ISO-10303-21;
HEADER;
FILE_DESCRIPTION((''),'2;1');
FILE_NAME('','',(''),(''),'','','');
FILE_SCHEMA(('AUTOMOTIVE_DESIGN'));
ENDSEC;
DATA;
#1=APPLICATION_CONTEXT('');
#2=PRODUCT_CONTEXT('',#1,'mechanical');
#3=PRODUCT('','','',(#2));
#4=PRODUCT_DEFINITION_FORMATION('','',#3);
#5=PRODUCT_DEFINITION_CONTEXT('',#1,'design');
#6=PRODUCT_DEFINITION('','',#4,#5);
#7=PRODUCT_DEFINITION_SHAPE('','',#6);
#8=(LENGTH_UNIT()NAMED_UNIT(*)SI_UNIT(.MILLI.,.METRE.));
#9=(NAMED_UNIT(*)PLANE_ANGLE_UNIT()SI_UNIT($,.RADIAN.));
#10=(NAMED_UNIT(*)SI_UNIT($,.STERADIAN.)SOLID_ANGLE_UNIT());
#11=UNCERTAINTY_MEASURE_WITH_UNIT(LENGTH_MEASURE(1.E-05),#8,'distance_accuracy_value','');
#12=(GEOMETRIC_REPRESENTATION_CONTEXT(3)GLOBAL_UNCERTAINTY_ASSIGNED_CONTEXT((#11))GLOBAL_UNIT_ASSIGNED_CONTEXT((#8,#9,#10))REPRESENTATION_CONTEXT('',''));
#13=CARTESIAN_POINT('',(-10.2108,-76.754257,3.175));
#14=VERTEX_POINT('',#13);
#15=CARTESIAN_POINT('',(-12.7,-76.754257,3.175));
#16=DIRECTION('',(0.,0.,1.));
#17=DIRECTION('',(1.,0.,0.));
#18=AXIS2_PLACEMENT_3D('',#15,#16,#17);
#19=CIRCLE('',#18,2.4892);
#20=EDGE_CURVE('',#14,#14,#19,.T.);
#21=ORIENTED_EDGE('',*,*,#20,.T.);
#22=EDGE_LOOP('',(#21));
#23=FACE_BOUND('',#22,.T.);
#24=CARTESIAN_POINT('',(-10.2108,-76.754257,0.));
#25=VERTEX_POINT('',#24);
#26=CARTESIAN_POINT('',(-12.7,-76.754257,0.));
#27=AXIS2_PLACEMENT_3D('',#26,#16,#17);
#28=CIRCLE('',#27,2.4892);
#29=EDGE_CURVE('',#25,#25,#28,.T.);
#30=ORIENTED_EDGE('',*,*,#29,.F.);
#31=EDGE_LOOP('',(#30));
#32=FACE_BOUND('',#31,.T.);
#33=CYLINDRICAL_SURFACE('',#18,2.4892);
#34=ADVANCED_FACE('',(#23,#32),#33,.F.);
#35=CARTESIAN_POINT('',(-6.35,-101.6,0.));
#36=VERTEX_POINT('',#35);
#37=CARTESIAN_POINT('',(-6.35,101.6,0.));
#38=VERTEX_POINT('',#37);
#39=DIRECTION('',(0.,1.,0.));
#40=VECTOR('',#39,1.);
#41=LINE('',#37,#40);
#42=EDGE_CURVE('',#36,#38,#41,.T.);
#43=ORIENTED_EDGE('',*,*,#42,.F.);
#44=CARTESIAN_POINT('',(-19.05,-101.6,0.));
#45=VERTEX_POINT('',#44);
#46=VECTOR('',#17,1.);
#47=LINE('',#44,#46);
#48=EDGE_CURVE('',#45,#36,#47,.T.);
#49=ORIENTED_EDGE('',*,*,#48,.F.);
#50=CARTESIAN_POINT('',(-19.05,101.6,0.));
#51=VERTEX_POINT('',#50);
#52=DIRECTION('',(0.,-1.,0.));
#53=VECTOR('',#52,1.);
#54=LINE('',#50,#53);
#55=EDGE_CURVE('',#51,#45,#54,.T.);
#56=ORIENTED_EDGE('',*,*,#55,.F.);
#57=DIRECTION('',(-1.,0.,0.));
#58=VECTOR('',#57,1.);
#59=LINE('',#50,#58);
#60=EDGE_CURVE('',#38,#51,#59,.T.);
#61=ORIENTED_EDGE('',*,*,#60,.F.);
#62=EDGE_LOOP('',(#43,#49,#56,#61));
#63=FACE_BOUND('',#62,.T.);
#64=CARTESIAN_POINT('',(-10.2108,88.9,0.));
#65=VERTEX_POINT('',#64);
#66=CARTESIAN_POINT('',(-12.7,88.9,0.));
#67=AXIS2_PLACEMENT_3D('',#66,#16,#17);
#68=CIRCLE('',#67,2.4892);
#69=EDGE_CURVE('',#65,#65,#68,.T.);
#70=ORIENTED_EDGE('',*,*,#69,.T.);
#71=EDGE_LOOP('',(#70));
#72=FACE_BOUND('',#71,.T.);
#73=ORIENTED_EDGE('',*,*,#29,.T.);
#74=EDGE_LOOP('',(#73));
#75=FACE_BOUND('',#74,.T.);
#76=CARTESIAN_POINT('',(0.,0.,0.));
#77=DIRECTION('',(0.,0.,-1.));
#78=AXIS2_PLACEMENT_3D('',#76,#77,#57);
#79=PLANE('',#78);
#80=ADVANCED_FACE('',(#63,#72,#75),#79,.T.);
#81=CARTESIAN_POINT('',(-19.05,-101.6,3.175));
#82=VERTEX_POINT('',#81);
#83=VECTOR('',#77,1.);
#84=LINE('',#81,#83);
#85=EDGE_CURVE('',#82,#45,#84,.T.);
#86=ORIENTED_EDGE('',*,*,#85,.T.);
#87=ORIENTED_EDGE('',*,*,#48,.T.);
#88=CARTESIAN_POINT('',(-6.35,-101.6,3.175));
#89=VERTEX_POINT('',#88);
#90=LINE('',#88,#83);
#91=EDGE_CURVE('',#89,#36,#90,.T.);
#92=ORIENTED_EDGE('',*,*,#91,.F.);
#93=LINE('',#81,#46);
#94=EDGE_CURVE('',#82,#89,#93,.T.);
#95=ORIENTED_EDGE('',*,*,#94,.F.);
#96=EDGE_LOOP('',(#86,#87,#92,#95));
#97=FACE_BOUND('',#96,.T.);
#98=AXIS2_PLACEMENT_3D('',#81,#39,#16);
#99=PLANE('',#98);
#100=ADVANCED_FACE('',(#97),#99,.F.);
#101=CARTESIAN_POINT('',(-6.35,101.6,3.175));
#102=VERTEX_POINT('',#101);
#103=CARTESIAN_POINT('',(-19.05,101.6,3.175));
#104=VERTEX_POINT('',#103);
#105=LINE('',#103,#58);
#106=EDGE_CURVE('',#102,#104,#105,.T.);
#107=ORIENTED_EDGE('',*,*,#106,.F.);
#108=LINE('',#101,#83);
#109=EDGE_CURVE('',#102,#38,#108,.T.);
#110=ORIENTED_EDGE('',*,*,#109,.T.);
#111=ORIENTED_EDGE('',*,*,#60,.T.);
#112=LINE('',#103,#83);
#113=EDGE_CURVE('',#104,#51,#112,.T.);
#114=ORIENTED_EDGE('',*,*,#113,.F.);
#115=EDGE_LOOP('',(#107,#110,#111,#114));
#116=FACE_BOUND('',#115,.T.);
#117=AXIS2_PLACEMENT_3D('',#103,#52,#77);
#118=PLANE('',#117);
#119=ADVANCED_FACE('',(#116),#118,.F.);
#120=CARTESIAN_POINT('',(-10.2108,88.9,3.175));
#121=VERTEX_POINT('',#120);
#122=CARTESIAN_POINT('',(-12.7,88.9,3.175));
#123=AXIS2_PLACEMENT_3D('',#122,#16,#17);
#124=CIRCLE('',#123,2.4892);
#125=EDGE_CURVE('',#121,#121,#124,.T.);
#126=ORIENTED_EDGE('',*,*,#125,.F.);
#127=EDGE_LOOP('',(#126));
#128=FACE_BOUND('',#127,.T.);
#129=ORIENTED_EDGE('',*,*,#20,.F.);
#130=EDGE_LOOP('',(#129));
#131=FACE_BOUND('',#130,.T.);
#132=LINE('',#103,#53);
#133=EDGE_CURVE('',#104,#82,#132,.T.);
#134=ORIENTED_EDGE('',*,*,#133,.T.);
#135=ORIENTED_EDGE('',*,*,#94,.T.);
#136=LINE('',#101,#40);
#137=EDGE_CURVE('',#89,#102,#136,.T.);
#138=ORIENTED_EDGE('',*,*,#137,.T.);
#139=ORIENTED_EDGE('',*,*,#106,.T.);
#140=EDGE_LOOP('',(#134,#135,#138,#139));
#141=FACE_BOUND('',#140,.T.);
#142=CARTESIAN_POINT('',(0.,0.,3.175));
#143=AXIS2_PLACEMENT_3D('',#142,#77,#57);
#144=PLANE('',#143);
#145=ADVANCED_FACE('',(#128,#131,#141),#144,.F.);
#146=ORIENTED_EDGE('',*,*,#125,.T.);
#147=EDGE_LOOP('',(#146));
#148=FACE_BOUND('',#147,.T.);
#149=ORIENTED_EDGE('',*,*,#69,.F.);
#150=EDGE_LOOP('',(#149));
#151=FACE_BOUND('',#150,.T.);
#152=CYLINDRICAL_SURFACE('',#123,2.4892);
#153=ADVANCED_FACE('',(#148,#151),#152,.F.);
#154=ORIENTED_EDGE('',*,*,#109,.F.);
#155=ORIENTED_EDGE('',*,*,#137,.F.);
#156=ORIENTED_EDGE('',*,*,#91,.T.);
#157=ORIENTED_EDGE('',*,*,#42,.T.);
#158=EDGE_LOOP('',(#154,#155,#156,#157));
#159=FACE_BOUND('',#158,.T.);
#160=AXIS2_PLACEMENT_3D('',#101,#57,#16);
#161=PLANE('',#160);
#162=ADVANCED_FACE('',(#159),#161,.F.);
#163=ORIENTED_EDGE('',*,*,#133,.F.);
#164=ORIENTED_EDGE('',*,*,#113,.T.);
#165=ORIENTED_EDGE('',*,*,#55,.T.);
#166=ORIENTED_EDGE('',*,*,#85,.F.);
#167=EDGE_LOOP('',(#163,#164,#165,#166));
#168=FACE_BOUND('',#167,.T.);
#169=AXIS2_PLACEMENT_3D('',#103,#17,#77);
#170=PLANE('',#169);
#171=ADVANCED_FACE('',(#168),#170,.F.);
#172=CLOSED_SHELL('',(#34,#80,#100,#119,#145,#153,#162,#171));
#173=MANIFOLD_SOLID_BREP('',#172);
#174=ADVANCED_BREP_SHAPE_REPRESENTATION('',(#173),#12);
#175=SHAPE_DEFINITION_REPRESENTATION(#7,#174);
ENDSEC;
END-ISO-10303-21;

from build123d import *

# Parameters (mm, degrees)
SKETCH1_W              = 12.7
SKETCH1_H              = 203.2
BOSS_EXTRUDE1_DEPTH    = 3.175
F_10_CLEARANCE_HOLE1_D = 4.9784
F_10_CLEARANCE_HOLE2_D = 4.9784


with BuildPart() as part:
    # Sketch1 → Boss-Extrude1 (new body)
    with BuildSketch(Plane.XY):
        with Locations((-12.7, 0)):
            Rectangle(SKETCH1_W, SKETCH1_H)
    extrude(amount=BOSS_EXTRUDE1_DEPTH)

    # #10 Clearance Hole1 (through all)
    with Locations(Plane.XY.offset(3.175)):
        with Locations((-12.7, -76.754256991)):
            Hole(F_10_CLEARANCE_HOLE1_D / 2)

    # #10 Clearance Hole2 (through all)
    with Locations(Plane.XY.offset(3.175)):
        with Locations((-12.7, 88.9)):
            Hole(F_10_CLEARANCE_HOLE2_D / 2)


solid = part.part
